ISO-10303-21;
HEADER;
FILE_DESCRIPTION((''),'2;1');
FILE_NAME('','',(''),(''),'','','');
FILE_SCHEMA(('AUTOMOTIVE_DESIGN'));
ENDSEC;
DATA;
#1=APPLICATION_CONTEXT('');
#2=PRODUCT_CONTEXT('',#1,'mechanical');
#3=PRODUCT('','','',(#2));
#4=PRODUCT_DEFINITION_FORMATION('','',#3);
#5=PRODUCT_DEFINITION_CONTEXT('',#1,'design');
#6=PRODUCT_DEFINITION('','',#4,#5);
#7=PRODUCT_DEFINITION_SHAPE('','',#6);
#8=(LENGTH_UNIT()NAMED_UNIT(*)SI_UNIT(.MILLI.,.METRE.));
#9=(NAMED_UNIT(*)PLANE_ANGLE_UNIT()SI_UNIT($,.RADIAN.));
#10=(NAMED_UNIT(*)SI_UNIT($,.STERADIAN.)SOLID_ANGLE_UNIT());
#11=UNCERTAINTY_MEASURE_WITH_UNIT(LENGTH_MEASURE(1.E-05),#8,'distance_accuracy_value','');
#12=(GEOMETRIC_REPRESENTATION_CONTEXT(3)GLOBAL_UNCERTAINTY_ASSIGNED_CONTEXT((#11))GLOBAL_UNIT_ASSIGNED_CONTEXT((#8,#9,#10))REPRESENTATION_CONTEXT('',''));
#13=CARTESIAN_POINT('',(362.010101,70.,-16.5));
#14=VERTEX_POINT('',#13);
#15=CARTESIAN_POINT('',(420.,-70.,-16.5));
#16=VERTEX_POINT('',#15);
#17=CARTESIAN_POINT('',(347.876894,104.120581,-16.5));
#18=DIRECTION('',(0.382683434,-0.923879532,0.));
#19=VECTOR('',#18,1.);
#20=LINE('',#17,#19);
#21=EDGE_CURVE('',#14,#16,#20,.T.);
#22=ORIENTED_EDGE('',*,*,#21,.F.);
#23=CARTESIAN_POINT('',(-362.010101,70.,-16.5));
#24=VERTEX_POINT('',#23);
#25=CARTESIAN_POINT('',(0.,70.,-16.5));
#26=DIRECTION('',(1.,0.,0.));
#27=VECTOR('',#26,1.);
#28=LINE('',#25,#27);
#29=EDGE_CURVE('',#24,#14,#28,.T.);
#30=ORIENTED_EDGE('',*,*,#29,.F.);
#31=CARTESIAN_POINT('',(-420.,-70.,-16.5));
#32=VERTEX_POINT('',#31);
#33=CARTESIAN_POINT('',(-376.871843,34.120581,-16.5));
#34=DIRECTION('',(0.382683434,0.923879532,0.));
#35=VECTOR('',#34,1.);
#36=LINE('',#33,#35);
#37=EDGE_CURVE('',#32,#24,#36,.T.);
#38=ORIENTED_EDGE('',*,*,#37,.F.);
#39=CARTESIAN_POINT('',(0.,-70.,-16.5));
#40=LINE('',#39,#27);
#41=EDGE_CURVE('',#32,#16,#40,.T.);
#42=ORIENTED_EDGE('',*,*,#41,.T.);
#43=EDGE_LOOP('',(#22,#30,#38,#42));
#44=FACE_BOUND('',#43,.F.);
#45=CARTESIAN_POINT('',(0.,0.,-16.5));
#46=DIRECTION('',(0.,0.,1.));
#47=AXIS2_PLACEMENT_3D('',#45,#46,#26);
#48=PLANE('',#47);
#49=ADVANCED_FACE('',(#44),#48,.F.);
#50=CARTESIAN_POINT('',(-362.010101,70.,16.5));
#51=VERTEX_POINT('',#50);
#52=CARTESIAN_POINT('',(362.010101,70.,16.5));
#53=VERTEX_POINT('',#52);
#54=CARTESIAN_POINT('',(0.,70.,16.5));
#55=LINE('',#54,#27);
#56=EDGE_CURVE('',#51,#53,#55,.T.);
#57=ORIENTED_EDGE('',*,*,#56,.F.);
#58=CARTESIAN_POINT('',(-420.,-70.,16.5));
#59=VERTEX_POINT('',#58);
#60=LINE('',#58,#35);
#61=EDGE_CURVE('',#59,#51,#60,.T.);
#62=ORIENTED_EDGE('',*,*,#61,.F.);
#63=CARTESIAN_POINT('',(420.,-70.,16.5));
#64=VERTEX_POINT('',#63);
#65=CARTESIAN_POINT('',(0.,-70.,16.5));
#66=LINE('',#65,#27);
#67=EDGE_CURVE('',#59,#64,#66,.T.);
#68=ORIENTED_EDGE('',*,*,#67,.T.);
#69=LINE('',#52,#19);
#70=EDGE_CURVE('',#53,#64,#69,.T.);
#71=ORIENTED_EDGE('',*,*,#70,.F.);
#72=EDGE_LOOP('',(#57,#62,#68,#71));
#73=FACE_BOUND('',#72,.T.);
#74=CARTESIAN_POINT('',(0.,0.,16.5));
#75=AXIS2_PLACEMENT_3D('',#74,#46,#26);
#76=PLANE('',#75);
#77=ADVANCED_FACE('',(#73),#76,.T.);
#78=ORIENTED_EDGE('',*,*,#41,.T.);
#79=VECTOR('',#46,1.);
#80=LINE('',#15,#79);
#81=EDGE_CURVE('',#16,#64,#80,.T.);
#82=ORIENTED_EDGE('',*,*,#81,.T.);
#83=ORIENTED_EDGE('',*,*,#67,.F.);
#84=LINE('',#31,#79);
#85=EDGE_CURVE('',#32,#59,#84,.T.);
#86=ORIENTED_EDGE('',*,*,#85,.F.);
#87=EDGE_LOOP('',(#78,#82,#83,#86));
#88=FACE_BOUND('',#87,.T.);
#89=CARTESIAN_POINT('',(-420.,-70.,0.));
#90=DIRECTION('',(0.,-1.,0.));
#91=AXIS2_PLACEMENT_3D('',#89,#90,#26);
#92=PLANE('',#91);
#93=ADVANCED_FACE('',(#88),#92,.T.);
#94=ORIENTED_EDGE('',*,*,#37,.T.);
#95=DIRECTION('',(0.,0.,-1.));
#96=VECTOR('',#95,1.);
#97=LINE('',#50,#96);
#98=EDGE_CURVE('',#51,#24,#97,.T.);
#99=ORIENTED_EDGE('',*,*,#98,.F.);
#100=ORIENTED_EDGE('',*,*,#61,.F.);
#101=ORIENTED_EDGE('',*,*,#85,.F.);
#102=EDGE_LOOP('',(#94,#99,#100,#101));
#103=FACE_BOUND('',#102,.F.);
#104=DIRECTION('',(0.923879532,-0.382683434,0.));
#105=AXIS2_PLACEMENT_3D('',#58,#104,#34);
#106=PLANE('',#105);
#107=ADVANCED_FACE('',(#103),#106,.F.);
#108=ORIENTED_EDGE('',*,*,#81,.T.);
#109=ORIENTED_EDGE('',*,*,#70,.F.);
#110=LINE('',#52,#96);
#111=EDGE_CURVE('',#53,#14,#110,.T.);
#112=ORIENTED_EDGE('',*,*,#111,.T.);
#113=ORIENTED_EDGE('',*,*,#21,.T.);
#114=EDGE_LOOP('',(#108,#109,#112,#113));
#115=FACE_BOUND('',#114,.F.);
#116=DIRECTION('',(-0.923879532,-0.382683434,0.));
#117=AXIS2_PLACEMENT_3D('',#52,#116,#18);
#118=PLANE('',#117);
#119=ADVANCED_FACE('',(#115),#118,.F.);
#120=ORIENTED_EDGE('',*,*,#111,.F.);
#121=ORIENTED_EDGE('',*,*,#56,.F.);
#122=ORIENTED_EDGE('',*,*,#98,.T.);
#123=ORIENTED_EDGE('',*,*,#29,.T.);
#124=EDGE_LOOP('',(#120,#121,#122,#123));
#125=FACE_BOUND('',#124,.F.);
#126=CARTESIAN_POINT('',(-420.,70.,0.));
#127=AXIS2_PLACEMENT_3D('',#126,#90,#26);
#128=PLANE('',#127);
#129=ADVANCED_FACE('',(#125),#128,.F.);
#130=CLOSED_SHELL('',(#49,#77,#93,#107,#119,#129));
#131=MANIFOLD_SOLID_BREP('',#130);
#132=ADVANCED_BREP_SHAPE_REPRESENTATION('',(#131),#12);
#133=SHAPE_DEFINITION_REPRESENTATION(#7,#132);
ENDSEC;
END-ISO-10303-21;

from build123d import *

# Parameters (mm, degrees)
F0_W     = 840
F0_H     = 140
F1_DEPTH = 16.5
F3_DEPTH = 33.001


with BuildPart() as f1:
    # F0 (on Top) → F1 (new body, symmetric)
    with BuildSketch(Plane.XY):
        Rectangle(F0_W, F0_H)
    extrude(amount=F1_DEPTH, both=True)

    # F2 (on face) → F3 (cut, through all)
    with BuildSketch(Plane.XY.offset(16.5)):
        Polygon((-420, 70), (-420, -70), (-362.010101, 70), align=None)
        Polygon((420, -70), (420, 70), (362.010101, 70), align=None)
    extrude(amount=-F3_DEPTH, mode=Mode.SUBTRACT)


solid = f1.part
